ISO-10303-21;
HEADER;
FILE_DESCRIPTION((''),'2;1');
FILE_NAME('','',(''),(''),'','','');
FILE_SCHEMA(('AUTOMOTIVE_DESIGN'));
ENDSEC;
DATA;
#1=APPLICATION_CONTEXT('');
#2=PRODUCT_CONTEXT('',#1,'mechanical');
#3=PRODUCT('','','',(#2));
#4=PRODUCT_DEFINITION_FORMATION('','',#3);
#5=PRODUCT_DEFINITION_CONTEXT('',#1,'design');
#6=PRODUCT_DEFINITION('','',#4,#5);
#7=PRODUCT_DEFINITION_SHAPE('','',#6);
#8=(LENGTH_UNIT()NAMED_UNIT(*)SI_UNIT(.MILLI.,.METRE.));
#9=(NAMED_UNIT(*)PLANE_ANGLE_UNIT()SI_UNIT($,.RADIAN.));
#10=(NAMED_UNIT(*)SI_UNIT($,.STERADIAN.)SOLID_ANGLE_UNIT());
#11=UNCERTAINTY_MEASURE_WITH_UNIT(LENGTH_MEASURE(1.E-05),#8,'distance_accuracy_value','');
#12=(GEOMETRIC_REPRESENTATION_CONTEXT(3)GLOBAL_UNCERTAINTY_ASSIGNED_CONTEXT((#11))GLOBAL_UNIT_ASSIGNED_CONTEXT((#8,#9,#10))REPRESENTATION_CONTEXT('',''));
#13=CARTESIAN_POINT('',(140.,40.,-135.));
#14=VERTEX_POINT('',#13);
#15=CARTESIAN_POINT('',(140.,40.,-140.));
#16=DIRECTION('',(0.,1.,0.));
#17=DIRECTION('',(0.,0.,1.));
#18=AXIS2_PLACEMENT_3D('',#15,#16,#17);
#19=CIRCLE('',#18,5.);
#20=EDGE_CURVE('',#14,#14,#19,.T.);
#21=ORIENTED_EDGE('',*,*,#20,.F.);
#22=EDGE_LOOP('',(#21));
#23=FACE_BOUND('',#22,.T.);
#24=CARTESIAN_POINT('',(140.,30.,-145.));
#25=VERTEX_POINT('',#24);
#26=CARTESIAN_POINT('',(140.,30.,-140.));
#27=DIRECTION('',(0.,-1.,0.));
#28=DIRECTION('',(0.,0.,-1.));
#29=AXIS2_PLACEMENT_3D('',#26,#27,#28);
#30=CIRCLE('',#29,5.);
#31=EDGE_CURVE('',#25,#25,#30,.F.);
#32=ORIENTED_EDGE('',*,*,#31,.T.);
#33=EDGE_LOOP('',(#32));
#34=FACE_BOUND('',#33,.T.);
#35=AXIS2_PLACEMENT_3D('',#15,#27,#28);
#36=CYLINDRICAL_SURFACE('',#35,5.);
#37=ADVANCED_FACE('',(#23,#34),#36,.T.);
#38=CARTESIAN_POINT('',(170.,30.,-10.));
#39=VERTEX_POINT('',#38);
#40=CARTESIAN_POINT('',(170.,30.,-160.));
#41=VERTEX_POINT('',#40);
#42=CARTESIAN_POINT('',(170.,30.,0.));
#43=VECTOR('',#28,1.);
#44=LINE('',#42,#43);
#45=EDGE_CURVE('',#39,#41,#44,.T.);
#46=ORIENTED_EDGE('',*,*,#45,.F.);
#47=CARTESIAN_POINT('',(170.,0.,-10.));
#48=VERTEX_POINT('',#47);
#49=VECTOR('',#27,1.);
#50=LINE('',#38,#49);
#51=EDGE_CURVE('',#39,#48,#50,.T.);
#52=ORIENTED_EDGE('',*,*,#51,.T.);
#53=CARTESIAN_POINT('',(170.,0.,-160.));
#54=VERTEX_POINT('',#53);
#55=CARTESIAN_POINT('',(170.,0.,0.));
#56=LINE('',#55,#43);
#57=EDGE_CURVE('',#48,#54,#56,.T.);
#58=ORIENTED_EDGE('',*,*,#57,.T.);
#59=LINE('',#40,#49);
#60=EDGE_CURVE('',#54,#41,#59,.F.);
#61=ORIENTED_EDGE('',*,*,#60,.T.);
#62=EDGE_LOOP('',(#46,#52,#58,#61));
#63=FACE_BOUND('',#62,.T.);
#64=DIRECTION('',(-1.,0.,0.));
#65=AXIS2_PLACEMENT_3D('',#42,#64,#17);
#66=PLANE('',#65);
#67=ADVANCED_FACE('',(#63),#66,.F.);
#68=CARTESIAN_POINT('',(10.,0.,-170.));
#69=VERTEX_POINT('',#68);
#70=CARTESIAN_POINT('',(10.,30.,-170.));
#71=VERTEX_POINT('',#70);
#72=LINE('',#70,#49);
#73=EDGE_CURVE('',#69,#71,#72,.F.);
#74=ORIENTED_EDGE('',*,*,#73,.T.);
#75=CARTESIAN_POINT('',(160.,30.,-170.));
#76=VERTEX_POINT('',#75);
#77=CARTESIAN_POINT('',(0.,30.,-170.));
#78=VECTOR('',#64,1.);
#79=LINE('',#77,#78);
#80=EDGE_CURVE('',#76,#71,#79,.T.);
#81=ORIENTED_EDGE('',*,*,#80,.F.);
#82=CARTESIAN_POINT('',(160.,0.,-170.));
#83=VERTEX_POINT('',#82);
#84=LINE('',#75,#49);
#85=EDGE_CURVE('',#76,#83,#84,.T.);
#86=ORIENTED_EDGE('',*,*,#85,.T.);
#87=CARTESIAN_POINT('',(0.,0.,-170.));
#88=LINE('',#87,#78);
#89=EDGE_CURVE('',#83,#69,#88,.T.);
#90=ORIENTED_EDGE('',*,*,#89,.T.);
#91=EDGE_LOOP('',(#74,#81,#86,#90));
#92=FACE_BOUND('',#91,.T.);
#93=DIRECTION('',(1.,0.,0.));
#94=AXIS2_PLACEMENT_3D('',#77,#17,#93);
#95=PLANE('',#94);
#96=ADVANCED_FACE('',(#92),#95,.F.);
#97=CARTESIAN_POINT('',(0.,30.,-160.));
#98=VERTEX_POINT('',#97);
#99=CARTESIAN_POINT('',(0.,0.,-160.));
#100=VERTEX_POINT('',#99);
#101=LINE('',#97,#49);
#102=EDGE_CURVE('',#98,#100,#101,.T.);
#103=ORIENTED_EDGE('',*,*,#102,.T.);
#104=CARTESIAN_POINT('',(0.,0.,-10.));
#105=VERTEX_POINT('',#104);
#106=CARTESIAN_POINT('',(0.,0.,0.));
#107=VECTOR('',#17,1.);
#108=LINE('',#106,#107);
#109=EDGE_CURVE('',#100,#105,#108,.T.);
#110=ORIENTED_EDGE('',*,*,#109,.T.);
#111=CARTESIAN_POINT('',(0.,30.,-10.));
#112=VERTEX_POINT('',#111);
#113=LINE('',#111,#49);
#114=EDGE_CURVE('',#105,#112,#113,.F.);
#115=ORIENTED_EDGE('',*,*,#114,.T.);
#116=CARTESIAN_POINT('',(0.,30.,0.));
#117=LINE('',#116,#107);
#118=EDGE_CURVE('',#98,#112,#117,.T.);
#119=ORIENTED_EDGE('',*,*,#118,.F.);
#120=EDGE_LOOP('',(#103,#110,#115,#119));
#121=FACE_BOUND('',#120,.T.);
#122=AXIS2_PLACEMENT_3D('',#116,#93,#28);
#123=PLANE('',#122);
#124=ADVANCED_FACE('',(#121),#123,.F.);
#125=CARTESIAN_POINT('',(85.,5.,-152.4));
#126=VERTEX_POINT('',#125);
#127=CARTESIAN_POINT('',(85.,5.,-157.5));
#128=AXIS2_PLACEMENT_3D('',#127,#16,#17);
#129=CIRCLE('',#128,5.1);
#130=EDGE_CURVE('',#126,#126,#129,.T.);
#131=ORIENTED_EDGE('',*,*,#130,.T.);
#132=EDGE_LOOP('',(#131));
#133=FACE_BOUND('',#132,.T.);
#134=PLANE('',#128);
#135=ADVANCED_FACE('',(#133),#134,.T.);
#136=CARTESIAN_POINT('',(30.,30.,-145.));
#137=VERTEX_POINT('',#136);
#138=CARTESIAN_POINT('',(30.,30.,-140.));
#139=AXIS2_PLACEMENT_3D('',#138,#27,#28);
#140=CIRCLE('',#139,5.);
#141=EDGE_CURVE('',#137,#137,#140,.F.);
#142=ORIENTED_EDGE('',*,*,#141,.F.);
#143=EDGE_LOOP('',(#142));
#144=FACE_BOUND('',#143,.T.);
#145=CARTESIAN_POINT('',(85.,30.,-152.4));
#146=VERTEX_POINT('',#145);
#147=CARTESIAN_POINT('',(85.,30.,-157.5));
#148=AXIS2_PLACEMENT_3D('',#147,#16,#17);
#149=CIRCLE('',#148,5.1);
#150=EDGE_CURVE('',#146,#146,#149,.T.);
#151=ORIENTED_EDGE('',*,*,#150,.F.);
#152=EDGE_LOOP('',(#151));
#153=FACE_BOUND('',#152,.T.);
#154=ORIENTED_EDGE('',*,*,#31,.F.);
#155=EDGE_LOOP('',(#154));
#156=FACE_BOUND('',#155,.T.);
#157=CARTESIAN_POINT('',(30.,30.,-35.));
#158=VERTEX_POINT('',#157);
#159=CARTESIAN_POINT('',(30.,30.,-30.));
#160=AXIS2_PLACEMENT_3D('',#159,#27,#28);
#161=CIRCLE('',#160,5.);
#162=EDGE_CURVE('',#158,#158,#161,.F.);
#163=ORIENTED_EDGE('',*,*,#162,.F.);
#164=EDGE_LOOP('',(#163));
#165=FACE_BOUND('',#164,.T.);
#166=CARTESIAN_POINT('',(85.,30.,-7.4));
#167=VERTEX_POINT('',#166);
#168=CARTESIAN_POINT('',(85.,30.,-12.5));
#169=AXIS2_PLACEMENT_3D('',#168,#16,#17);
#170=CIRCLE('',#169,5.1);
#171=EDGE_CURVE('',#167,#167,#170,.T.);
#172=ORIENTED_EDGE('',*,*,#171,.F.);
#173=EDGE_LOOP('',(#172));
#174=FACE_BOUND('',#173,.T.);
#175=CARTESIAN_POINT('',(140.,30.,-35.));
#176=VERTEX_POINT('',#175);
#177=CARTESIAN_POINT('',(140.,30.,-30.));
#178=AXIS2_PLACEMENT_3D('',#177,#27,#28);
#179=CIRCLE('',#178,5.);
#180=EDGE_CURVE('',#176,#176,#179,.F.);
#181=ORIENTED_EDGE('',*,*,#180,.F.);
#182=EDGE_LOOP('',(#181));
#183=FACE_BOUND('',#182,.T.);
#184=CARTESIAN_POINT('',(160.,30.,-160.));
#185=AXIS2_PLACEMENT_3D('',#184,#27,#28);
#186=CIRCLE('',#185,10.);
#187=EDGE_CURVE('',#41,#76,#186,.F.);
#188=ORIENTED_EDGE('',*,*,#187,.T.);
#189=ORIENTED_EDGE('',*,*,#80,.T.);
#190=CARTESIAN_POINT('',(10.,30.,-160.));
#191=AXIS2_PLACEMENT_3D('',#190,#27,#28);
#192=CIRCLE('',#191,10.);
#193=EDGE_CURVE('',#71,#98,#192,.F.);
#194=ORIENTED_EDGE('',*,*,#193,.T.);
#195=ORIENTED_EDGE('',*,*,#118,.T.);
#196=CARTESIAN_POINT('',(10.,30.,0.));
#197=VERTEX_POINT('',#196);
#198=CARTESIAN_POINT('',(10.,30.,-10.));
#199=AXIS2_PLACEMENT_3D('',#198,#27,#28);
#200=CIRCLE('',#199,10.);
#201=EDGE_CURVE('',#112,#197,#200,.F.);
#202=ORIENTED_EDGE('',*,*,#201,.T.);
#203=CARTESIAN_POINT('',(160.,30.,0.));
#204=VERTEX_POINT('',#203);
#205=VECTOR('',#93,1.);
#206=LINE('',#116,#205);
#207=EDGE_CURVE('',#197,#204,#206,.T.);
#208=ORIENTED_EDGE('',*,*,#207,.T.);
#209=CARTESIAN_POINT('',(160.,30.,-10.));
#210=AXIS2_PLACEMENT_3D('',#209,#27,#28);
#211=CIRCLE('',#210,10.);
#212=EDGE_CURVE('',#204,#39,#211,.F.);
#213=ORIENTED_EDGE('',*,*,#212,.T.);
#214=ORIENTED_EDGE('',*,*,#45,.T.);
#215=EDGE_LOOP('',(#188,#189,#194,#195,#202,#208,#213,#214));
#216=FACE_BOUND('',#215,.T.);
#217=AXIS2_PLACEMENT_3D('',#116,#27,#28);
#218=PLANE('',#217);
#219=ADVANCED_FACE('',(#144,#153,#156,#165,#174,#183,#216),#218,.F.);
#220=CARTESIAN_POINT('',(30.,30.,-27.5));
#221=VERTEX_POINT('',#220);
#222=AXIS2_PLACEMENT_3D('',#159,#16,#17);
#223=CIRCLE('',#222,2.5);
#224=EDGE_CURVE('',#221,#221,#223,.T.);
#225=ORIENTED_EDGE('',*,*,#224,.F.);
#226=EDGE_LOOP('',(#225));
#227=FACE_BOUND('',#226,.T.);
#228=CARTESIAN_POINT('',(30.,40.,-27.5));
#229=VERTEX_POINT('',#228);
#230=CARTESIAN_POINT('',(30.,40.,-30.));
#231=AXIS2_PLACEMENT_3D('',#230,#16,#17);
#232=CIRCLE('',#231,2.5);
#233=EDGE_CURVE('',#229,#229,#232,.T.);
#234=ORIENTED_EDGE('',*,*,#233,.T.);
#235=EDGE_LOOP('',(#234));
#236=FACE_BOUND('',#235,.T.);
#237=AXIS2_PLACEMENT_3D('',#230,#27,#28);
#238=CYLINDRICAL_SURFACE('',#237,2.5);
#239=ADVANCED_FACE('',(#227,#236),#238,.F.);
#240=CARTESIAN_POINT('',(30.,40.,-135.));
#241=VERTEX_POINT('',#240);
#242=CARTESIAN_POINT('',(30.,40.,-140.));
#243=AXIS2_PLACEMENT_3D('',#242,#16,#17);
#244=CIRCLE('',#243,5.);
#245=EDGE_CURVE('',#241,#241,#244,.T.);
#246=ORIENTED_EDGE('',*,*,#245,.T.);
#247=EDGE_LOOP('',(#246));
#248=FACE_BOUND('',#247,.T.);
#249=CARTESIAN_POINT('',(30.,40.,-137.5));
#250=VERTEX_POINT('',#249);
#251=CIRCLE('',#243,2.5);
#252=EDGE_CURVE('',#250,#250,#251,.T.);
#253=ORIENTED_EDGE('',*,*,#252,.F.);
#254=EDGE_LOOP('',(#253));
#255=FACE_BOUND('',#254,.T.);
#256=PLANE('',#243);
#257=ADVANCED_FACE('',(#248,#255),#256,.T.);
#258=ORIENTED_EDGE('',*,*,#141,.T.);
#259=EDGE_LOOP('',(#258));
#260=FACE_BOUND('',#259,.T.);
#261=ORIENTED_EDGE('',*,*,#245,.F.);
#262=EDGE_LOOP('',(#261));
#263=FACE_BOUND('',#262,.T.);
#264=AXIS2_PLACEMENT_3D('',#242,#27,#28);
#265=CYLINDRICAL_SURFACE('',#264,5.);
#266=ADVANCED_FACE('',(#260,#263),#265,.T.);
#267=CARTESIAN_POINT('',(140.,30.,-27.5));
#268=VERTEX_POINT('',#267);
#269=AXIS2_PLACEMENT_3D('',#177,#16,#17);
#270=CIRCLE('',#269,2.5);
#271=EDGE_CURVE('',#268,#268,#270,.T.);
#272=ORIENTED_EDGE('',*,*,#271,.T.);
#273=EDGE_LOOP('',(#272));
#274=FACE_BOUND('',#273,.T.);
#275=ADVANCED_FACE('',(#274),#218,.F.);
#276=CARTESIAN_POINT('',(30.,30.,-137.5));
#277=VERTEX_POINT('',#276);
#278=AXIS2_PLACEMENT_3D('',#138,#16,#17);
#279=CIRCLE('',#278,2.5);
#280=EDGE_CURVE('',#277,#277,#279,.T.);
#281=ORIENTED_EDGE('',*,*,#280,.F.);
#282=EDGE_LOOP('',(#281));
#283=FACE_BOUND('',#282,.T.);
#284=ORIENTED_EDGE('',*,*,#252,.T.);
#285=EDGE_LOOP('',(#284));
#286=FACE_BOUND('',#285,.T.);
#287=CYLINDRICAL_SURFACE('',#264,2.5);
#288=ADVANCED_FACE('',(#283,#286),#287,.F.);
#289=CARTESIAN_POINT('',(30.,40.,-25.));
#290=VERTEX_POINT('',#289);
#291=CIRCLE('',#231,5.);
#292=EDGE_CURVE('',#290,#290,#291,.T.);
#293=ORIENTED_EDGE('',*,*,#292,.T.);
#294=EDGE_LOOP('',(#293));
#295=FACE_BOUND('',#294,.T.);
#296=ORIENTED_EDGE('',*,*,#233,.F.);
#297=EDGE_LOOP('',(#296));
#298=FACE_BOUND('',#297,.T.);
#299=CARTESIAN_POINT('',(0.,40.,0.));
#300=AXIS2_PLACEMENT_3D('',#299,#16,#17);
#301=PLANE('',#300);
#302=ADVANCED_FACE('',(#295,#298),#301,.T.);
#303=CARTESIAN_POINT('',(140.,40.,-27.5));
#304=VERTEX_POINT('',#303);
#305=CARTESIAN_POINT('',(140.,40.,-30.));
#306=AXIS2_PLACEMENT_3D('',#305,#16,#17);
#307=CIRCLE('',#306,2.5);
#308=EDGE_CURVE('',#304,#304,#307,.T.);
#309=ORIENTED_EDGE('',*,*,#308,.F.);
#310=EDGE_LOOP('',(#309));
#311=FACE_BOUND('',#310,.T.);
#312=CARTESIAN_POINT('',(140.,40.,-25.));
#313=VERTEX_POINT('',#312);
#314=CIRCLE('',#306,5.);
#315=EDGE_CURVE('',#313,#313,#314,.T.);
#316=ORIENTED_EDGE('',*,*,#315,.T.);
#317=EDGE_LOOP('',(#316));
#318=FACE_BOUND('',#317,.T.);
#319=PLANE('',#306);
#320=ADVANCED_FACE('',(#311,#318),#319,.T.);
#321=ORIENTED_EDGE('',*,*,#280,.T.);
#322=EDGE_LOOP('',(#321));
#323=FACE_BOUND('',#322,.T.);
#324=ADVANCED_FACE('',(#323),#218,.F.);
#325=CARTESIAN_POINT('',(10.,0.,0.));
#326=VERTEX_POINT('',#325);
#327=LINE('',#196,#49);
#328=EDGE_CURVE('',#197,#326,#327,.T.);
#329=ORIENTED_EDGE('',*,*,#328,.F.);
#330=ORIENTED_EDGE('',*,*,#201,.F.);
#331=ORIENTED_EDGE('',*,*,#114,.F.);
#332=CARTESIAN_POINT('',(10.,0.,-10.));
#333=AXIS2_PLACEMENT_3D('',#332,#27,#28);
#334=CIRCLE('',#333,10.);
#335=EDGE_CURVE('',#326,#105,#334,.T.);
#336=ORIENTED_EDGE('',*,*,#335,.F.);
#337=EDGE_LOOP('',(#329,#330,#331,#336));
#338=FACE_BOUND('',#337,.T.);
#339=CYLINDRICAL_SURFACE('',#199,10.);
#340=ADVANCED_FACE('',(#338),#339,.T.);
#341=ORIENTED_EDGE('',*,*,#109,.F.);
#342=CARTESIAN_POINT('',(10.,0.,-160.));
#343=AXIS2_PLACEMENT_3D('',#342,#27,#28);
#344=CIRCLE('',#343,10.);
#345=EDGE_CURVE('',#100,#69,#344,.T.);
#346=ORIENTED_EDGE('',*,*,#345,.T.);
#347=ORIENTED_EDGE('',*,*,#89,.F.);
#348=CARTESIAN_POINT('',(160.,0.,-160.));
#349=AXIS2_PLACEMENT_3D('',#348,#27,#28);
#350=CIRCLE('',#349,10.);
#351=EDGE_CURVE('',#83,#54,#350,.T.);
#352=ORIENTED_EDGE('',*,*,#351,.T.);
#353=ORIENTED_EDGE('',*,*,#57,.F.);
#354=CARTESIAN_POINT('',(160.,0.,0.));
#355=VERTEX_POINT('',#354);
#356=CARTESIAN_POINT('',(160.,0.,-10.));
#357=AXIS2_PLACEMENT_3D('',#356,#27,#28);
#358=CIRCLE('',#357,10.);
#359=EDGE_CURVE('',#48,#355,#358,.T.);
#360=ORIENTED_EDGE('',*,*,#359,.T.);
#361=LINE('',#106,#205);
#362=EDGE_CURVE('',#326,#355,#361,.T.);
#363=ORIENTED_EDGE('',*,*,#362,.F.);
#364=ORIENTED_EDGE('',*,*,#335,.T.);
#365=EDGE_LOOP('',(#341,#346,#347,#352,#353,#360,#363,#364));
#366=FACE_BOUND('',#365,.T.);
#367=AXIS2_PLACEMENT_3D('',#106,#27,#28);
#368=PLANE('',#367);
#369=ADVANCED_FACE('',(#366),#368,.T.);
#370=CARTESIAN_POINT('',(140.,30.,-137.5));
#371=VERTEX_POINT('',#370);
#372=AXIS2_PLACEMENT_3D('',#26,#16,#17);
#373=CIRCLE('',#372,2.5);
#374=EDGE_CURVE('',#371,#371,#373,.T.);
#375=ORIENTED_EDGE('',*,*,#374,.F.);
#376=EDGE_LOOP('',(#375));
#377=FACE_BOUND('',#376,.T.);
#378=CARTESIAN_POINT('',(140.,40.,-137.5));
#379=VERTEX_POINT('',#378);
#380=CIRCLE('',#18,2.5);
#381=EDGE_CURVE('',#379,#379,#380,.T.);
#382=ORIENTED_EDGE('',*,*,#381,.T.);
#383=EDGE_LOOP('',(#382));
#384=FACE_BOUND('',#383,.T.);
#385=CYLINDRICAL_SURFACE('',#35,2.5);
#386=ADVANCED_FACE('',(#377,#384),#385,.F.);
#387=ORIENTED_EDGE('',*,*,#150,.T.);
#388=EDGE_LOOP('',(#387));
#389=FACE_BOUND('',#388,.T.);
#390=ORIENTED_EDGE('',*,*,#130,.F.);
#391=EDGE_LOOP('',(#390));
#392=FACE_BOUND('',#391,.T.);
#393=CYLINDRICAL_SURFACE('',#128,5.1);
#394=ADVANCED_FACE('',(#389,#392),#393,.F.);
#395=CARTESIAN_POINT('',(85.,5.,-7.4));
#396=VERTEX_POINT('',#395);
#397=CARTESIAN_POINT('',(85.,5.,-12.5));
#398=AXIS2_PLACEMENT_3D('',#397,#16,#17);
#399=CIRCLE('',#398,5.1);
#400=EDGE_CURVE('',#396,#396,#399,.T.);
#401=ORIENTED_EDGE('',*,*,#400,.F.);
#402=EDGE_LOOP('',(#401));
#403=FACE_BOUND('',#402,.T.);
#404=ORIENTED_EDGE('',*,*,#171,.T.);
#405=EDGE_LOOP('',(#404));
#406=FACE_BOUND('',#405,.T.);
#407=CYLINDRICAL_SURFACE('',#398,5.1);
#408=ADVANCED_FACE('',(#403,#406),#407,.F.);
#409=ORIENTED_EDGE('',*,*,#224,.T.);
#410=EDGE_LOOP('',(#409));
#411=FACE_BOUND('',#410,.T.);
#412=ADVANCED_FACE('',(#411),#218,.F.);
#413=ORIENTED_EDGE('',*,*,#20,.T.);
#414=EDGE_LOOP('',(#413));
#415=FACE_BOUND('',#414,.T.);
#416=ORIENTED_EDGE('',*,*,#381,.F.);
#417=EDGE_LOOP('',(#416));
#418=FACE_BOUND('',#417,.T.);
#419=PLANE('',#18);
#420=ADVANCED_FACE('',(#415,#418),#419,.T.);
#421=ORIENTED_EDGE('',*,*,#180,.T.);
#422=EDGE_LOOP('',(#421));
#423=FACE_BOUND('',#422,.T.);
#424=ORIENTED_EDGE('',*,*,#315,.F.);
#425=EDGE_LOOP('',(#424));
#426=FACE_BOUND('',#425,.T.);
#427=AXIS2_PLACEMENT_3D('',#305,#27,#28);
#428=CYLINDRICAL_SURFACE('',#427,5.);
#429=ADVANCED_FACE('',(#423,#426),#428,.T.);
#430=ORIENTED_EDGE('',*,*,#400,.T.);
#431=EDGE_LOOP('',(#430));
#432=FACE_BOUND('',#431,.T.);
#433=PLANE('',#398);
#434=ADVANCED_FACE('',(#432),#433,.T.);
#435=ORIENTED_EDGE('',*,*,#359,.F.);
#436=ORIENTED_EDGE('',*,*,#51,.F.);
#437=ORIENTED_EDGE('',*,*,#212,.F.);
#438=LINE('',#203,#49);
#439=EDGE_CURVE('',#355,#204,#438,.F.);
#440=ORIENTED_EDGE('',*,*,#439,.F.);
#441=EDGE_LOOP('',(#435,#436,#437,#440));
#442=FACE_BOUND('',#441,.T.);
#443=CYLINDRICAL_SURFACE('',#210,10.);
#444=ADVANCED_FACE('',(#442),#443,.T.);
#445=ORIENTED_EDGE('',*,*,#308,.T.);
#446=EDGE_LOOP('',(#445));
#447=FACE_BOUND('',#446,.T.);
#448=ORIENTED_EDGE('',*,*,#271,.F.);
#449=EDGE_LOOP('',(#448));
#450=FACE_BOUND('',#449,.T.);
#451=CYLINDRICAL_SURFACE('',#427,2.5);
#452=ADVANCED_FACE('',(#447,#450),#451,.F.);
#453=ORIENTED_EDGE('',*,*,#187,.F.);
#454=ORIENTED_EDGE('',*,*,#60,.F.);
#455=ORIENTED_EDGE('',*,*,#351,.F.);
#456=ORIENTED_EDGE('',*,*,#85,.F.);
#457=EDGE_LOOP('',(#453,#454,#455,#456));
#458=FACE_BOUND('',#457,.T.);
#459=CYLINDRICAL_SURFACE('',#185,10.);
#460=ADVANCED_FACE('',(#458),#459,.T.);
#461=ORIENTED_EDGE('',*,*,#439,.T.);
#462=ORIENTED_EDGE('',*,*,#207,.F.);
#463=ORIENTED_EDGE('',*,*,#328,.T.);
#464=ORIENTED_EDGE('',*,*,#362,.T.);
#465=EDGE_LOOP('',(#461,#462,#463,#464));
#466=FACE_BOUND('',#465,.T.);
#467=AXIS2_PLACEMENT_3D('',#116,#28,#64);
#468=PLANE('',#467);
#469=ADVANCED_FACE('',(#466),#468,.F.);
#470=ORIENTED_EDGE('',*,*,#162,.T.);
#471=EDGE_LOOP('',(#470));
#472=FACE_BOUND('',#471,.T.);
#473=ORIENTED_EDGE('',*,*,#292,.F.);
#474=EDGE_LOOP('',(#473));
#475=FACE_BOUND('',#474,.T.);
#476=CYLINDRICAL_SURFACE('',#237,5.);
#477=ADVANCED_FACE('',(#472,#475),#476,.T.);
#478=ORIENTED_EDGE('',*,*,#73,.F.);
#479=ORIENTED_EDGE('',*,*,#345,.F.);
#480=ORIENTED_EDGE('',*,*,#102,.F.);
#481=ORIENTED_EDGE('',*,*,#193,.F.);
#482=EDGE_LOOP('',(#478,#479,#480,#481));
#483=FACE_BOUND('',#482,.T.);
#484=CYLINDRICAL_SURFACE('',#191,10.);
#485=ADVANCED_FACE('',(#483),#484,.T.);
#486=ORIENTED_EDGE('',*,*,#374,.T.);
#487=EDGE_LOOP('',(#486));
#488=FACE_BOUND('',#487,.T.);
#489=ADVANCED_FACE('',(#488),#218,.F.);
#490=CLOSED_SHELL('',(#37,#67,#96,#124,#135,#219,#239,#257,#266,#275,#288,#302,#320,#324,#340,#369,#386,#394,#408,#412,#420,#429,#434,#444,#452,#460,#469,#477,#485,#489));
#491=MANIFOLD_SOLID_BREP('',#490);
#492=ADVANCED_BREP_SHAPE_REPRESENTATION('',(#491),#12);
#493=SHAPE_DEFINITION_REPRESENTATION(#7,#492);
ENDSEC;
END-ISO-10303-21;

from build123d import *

# Parameters (mm, degrees)
SKETCH1_W           = 170
SKETCH1_H           = 170
BOSS_EXTRUDE2_DEPTH = 30
SKETCH2_R           = 5.1
CUT_EXTRUDE1_DEPTH  = 25
SKETCH3_R           = 5
SKETCH3_R_2         = 2.5
BOSS_EXTRUDE3_DEPTH = 10
FILLET1_R           = 10


with BuildPart() as part:
    # Sketch1 → Boss-Extrude2 (new body)
    with BuildSketch(Plane(origin=(0, 0, 0), x_dir=(1, 0, 0), z_dir=(0, 1, 0))):
        with Locations((85, 85)):
            Rectangle(SKETCH1_W, SKETCH1_H)
    extrude(amount=BOSS_EXTRUDE2_DEPTH)

    # Sketch2 → Cut-Extrude1 (cut)
    with BuildSketch(Plane(origin=(0, 30, 0), x_dir=(1, 0, 0), z_dir=(0, 1, 0))):
        with Locations((85, 12.5)):
            Circle(SKETCH2_R)
        with Locations((85, 157.5)):
            Circle(SKETCH2_R)
    extrude(amount=-CUT_EXTRUDE1_DEPTH, mode=Mode.SUBTRACT)

    # Sketch3 → Boss-Extrude3 (add)
    with BuildSketch(Plane(origin=(0, 30, 0), x_dir=(1, 0, 0), z_dir=(0, 1, 0))):
        with Locations((30, 30)):
            Circle(SKETCH3_R)
        with Locations((30, 30)):
            Circle(SKETCH3_R_2, mode=Mode.SUBTRACT)
        with Locations((140, 30)):
            Circle(SKETCH3_R)
        with Locations((140, 30)):
            Circle(SKETCH3_R_2, mode=Mode.SUBTRACT)
        with Locations((30, 140)):
            Circle(SKETCH3_R)
        with Locations((30, 140)):
            Circle(SKETCH3_R_2, mode=Mode.SUBTRACT)
        with Locations((140, 140)):
            Circle(SKETCH3_R)
        with Locations((140, 140)):
            Circle(SKETCH3_R_2, mode=Mode.SUBTRACT)
    extrude(amount=BOSS_EXTRUDE3_DEPTH)

    # Fillet1
    fillet1_edges = [part.edges().sort_by_distance(p)[0] for p in [
        (0, 15, -170),
        (170, 15, -170),
        (170, 15, 0),
        (0, 15, 0),
    ]]
    fillet(fillet1_edges, radius=FILLET1_R)


solid = part.part
